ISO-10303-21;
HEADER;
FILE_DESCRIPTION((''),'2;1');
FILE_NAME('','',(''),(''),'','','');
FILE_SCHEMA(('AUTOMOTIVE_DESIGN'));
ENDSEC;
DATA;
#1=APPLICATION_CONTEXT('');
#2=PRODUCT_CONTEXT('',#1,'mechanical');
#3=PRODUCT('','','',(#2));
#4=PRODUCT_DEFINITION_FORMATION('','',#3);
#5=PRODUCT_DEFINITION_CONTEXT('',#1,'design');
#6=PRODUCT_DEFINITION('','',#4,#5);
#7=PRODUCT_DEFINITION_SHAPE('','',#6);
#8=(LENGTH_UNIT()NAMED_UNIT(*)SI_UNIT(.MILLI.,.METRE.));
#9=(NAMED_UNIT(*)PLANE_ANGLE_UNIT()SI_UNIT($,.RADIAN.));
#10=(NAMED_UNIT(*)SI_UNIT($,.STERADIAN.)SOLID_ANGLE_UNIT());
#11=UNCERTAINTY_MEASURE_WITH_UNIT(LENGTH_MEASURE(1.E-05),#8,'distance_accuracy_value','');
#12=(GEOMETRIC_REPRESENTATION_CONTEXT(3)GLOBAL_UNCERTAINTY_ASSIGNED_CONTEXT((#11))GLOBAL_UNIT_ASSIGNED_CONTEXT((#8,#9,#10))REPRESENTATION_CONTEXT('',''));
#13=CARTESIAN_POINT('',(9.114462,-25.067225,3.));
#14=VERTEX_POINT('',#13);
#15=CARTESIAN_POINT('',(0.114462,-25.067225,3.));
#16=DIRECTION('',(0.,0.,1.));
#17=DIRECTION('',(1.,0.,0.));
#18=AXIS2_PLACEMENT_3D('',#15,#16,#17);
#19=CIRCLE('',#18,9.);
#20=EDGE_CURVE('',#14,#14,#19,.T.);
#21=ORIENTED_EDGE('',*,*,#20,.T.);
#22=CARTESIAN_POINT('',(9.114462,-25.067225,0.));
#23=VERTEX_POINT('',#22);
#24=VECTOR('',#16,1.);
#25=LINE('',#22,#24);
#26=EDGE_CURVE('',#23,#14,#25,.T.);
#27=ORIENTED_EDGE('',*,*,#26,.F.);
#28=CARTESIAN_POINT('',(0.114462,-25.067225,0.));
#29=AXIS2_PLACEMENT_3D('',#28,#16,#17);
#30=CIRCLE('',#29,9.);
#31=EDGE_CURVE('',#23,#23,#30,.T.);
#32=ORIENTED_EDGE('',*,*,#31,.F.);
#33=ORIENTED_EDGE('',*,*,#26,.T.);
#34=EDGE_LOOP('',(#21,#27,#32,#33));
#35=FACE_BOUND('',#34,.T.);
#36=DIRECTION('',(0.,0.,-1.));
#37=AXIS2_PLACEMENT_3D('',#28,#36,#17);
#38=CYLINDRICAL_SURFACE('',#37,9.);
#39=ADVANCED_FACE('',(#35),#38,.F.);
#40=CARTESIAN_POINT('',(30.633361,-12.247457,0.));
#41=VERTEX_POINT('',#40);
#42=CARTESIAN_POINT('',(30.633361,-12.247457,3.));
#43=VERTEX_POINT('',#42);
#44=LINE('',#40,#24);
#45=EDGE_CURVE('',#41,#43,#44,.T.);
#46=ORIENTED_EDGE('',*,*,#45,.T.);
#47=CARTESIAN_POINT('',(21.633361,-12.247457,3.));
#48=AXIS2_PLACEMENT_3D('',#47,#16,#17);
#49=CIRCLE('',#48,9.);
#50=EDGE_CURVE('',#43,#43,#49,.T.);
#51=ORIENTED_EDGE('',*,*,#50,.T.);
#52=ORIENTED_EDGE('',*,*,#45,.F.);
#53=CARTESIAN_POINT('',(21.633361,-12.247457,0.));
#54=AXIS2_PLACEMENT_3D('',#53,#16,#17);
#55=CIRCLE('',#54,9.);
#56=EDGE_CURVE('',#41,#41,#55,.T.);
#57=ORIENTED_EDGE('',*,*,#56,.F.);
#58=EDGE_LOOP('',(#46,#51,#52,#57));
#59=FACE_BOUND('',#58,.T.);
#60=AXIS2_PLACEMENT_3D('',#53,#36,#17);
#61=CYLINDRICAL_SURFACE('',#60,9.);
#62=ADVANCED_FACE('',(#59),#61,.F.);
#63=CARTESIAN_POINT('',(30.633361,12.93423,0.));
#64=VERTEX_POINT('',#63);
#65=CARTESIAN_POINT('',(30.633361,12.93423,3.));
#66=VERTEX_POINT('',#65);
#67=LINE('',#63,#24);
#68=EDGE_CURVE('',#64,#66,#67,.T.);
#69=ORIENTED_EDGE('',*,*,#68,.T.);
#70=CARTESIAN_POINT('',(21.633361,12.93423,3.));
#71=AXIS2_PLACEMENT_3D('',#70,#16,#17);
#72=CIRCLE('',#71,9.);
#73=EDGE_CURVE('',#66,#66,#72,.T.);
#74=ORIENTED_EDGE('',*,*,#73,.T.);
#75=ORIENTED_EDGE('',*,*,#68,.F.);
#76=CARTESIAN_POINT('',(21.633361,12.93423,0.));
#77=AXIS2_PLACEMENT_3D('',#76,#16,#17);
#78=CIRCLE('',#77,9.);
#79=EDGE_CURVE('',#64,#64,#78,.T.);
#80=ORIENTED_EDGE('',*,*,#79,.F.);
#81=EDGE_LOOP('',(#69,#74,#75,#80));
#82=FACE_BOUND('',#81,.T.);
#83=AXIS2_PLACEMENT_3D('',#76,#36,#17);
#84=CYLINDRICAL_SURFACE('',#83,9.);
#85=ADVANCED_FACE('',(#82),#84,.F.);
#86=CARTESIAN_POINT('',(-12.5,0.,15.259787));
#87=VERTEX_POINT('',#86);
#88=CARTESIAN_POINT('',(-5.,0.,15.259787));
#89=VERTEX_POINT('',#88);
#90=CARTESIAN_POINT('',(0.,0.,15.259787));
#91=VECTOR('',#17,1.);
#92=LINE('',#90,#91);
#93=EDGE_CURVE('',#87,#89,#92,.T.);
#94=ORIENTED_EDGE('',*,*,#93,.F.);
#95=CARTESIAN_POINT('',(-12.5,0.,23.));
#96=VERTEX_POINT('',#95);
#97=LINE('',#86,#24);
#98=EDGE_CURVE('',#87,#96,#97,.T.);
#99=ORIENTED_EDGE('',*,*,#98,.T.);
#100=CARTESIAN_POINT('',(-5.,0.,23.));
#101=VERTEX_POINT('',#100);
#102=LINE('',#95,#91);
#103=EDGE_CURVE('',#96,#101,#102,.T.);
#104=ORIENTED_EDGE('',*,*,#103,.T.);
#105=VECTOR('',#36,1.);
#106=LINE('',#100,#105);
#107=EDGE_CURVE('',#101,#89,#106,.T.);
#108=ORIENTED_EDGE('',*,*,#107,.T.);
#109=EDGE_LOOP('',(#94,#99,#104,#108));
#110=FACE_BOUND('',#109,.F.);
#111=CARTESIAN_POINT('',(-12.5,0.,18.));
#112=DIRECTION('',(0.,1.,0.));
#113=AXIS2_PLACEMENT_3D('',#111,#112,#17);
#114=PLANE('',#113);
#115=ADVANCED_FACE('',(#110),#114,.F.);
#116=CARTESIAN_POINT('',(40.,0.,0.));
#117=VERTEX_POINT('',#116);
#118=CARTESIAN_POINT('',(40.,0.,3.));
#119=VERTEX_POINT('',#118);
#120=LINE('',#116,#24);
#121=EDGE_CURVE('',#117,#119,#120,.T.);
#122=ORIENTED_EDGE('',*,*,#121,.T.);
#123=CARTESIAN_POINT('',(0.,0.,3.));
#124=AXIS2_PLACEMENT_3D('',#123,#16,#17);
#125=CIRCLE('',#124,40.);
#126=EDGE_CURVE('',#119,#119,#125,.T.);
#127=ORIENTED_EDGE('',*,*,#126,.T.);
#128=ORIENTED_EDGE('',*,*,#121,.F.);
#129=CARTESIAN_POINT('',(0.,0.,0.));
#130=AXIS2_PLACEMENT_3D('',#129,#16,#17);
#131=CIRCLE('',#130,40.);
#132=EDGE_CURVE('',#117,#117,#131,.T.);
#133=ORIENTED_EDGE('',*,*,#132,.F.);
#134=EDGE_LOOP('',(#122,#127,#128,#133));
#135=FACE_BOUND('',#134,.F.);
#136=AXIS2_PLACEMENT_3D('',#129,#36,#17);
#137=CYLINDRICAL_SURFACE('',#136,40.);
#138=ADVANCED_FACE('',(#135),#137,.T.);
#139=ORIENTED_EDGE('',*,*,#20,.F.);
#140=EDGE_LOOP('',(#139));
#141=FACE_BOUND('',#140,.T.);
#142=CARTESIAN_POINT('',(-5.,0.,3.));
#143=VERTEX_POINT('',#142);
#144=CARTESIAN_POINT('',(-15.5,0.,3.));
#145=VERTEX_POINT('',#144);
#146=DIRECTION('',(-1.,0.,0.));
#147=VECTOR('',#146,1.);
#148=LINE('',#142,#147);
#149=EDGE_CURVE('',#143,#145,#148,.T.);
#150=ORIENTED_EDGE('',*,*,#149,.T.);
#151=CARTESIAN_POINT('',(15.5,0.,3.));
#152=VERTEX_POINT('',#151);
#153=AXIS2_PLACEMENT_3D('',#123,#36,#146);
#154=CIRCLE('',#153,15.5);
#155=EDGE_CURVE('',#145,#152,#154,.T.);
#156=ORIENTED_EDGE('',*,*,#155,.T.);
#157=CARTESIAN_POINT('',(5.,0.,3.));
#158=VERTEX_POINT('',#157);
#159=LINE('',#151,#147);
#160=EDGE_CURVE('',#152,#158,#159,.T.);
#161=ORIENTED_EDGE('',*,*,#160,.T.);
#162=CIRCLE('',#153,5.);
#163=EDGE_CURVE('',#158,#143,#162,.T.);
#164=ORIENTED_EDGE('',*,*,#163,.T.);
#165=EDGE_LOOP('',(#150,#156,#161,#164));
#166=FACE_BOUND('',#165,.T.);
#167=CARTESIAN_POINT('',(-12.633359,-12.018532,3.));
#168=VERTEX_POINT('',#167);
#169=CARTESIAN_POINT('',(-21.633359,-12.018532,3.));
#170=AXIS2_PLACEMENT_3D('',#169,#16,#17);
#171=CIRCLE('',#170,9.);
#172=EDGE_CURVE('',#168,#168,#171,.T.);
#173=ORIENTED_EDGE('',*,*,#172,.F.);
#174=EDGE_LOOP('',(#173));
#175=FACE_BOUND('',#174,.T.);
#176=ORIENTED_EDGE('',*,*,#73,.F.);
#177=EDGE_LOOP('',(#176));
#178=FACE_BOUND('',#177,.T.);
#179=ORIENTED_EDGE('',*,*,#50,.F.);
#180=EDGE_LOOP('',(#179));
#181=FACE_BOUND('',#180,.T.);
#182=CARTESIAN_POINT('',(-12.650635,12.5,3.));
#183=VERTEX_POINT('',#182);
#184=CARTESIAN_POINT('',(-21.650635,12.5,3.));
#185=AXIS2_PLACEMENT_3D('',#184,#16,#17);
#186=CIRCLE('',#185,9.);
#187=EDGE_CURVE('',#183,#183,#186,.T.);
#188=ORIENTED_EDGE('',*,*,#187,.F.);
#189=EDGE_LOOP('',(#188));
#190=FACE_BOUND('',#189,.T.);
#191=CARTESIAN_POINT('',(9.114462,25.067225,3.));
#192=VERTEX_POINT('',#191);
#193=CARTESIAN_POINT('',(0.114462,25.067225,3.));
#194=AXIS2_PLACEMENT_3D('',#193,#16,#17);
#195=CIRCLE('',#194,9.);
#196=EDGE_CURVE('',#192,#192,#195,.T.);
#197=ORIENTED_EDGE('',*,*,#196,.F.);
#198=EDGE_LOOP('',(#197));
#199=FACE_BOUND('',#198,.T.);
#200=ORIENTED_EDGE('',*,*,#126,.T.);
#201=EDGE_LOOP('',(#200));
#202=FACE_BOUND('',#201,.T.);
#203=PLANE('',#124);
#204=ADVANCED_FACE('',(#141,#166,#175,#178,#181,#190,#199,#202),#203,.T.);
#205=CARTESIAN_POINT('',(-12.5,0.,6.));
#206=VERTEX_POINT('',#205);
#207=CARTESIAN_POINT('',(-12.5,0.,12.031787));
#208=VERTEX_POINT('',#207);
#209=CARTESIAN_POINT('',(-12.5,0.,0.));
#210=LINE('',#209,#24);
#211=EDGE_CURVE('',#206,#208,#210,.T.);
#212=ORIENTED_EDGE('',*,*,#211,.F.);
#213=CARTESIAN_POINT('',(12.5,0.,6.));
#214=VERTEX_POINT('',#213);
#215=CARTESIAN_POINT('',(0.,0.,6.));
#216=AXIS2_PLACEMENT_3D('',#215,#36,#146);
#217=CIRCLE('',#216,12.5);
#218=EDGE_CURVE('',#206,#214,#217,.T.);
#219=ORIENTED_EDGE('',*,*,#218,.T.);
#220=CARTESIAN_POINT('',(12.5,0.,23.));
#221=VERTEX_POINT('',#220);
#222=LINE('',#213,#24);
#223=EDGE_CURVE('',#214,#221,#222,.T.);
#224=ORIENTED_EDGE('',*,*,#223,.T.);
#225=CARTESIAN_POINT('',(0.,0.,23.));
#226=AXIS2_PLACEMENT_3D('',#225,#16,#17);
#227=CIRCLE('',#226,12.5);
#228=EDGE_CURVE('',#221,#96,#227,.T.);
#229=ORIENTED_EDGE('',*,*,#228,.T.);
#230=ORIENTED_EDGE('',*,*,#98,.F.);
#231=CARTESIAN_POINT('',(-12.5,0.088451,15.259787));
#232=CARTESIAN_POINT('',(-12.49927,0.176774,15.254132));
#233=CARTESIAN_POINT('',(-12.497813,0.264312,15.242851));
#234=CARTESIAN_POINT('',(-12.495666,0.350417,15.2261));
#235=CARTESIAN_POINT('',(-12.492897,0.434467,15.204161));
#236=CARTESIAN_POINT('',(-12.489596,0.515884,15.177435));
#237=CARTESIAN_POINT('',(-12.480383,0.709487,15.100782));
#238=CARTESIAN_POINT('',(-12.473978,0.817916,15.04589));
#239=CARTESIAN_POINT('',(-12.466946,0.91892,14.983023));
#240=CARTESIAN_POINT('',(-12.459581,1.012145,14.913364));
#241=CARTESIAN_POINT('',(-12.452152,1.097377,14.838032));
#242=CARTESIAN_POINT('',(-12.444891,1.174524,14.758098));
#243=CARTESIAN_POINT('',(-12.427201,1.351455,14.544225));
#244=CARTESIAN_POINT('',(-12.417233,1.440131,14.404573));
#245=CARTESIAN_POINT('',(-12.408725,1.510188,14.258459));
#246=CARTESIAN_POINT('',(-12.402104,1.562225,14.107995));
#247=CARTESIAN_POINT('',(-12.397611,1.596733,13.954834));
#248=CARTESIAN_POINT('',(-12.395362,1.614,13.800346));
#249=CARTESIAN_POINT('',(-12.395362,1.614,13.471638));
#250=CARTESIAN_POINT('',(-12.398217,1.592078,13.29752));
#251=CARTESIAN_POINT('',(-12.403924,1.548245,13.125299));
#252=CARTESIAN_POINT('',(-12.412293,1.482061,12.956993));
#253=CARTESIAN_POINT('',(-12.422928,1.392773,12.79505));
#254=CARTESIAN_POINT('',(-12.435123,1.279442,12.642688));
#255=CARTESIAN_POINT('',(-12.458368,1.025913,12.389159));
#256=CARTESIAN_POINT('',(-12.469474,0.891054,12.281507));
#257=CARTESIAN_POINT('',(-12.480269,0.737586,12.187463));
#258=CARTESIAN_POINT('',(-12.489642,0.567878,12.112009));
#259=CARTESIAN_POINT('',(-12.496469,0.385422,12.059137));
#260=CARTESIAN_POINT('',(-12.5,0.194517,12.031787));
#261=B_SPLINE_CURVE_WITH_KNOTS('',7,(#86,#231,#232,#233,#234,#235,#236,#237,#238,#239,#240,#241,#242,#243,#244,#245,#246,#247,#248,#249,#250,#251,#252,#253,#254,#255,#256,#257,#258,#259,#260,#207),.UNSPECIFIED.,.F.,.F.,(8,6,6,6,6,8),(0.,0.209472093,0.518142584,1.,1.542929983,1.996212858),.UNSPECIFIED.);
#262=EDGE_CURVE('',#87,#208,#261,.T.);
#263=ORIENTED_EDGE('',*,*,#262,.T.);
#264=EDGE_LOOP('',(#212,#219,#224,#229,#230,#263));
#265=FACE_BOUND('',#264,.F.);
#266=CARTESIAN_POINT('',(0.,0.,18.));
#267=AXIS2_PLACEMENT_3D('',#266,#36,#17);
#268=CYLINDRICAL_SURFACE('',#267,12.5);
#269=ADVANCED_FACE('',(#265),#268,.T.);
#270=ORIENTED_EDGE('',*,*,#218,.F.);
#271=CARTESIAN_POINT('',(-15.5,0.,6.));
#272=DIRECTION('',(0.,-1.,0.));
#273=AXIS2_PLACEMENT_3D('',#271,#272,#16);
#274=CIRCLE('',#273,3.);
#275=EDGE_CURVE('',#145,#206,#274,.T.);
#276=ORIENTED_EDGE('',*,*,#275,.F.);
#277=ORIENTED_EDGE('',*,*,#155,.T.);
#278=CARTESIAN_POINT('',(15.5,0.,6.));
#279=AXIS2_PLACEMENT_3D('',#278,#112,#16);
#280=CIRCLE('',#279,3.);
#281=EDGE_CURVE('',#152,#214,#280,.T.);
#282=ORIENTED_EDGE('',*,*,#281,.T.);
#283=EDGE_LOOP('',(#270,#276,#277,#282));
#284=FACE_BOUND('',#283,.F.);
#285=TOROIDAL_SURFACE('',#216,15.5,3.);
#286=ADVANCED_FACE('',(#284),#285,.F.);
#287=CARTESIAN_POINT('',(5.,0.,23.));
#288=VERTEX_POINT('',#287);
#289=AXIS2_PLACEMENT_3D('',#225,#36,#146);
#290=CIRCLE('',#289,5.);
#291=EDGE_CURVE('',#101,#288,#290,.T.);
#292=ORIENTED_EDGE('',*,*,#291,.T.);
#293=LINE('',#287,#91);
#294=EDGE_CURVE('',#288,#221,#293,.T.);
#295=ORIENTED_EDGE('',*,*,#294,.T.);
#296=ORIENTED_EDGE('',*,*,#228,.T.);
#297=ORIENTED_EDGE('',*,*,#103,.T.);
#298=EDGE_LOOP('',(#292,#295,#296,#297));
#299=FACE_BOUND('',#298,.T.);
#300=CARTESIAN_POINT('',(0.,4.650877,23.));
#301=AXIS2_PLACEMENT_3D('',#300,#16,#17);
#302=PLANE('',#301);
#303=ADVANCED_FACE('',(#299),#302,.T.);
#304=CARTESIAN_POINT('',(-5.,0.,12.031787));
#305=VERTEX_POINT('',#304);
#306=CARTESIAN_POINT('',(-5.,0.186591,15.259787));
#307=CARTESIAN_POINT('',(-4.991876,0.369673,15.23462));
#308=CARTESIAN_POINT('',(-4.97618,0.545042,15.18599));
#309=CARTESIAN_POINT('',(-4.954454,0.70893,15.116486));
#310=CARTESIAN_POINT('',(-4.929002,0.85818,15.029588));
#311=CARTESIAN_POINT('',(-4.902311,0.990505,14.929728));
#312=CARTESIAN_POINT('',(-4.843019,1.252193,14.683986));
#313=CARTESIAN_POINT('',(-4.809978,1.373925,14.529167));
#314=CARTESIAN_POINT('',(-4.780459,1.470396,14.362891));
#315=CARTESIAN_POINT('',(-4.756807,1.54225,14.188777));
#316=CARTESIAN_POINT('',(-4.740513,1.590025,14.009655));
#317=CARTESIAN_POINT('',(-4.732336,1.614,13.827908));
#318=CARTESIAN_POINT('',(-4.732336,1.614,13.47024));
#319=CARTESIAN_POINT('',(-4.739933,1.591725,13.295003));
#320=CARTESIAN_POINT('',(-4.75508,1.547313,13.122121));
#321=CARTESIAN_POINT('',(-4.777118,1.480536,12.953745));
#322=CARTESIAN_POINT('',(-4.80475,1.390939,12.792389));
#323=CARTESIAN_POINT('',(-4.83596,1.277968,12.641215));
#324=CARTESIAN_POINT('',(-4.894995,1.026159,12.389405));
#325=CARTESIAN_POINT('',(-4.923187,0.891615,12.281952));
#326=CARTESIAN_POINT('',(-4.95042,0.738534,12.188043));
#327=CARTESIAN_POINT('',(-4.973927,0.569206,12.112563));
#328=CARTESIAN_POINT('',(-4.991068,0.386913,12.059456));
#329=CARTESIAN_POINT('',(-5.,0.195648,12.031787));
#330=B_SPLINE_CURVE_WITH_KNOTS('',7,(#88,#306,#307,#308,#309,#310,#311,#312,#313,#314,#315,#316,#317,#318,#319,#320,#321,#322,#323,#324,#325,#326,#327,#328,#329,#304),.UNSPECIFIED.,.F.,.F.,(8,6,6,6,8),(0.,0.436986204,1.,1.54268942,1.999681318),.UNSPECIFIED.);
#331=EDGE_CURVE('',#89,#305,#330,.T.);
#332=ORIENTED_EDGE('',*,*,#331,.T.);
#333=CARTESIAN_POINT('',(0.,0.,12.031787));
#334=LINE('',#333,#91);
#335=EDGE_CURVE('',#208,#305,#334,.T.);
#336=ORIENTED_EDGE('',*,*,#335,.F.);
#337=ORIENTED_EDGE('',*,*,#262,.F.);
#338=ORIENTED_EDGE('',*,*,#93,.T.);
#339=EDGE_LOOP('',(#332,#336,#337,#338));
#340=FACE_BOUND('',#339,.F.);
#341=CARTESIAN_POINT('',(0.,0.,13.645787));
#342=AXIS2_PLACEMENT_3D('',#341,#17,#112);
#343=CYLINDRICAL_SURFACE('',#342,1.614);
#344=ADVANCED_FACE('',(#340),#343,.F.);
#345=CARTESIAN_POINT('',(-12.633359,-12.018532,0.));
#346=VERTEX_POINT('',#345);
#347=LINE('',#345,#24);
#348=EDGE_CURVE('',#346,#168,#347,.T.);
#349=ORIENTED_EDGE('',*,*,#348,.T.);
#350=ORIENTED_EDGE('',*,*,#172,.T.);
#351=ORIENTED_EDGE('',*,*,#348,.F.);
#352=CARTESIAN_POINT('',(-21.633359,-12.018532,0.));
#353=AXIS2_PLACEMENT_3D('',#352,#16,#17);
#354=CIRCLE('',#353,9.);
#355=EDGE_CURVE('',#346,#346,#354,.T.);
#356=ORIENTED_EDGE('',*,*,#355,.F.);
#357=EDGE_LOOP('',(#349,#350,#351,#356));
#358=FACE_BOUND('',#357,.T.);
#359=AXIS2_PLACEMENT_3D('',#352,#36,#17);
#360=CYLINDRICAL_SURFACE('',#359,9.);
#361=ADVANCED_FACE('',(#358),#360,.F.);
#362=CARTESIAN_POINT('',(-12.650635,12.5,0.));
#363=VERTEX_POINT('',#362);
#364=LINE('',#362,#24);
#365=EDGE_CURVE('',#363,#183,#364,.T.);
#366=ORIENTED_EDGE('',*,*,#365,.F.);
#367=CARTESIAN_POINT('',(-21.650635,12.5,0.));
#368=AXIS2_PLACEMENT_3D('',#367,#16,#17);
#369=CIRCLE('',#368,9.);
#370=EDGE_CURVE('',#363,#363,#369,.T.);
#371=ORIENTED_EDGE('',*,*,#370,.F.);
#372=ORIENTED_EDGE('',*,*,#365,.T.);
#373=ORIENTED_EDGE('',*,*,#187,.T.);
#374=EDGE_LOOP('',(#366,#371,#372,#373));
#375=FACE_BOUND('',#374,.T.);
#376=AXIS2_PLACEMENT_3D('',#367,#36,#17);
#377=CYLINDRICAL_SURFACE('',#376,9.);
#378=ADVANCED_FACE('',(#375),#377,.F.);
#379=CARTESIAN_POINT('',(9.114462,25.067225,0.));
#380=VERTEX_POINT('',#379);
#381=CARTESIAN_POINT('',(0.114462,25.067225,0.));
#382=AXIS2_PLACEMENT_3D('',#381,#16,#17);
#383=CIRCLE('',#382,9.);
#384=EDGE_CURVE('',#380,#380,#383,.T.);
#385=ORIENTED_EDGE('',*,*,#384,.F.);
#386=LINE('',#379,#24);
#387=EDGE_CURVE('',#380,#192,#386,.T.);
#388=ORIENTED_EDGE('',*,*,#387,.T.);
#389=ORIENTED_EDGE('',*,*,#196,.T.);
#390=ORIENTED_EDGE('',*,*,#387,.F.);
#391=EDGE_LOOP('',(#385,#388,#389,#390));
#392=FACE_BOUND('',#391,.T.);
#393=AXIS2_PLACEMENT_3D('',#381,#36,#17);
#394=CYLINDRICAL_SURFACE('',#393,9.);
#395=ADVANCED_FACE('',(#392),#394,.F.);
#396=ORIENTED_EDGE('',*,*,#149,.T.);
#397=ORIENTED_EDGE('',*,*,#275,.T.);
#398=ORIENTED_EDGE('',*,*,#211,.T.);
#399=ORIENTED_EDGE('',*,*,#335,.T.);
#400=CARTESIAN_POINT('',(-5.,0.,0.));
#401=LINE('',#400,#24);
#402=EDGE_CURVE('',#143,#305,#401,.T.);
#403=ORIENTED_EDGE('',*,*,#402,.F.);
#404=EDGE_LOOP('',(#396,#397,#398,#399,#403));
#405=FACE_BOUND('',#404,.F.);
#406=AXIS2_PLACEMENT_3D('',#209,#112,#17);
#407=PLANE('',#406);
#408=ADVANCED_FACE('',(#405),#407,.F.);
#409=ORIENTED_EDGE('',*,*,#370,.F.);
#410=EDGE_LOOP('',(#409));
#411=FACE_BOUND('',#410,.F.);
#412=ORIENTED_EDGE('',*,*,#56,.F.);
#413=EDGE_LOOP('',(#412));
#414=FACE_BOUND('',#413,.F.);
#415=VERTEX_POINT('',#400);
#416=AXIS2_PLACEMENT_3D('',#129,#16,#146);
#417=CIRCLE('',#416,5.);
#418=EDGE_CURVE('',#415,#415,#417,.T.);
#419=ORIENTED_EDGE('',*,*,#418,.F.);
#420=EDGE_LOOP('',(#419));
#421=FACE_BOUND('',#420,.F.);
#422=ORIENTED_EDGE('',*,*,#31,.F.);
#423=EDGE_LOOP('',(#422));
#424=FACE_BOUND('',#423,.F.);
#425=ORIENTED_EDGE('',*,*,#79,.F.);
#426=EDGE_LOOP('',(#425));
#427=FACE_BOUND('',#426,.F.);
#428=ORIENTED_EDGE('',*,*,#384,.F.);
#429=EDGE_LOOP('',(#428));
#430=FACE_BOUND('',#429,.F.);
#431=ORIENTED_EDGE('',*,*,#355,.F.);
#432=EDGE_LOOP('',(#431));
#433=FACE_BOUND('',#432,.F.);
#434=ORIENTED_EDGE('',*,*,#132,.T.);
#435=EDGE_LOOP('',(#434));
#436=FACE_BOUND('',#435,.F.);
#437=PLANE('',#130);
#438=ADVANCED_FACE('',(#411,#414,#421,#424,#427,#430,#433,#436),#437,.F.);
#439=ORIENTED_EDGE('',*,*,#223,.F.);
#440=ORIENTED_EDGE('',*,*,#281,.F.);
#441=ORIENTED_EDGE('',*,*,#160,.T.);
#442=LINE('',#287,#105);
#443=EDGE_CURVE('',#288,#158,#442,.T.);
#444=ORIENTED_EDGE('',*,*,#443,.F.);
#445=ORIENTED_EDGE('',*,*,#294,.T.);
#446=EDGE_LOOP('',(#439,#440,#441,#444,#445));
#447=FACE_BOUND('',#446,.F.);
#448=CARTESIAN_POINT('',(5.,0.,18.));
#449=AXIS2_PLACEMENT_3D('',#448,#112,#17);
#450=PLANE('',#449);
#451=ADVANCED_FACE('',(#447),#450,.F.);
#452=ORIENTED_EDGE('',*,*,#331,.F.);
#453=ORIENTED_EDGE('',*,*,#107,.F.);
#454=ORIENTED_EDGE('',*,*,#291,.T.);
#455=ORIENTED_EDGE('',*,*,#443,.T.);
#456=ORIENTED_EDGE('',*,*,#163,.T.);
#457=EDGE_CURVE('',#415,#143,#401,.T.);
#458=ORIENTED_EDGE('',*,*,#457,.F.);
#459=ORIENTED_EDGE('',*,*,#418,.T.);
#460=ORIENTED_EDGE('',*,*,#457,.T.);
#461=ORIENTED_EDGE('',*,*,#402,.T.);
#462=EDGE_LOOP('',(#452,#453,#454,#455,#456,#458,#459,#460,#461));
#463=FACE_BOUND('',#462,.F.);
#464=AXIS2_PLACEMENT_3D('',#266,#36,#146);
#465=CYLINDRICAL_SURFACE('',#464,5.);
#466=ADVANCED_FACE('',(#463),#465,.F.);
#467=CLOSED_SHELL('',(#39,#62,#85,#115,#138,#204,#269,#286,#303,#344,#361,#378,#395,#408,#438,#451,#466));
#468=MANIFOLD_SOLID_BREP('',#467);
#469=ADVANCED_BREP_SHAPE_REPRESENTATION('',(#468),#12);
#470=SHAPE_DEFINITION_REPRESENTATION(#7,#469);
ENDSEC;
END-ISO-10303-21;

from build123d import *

# Parameters (mm, degrees)
F0_R     = 40
F0_R_2   = 9
F1_DEPTH = 3
F2_DEPTH = 18
F3_DEPTH = 25
F4_R     = 3
F5_R     = 1.614
F6_DEPTH = 40
F7_DEPTH = 5


with BuildPart() as f1:
    # F0 (on Top) → F1 (new body)
    with BuildSketch(Plane.XY):
        Circle(F0_R)
        with Locations((-21.6333586723, -12.0185324922)):
            Circle(F0_R_2, mode=Mode.SUBTRACT)
        with Locations((0.1144621056, -25.0672250986)):
            Circle(F0_R_2, mode=Mode.SUBTRACT)
        with Locations((21.6333605349, -12.247457169)):
            Circle(F0_R_2, mode=Mode.SUBTRACT)
        with Locations((-21.6506350946, 12.5)):
            Circle(F0_R_2, mode=Mode.SUBTRACT)
        with BuildLine():
            ThreePointArc((-12.5, 0), (0, 12.5), (12.5, 0))
            Line((12.5, 0), (5, 0))
            ThreePointArc((5, 0), (0, -5), (-5, 0))
            Line((-5, 0), (-12.5, 0))
        make_face(mode=Mode.SUBTRACT)
        with Locations((21.6333605349, 12.934230268)):
            Circle(F0_R_2, mode=Mode.SUBTRACT)
        with Locations((0.1144621056, 25.0672250986)):
            Circle(F0_R_2, mode=Mode.SUBTRACT)
        with BuildLine():
            Line((5, 0), (12.5, 0))
            ThreePointArc((12.5, 0), (0, 12.5), (-12.5, 0))
            Line((-12.5, 0), (-5, 0))
            ThreePointArc((-5, 0), (0, 5), (5, 0))
        make_face()
    extrude(amount=F1_DEPTH)

    # F0 (on Top) → F2 (join)
    with BuildSketch(Plane.XY):
        with BuildLine():
            Line((5, 0), (12.5, 0))
            ThreePointArc((12.5, 0), (0, 12.5), (-12.5, 0))
            Line((-12.5, 0), (-5, 0))
            ThreePointArc((-5, 0), (0, 5), (5, 0))
        make_face()
    extrude(amount=F2_DEPTH)

    # F0 (on Top) → F3 (cut)
    with BuildSketch(Plane.XY):
        Circle(F0_R)
        with Locations((-21.6333586723, -12.0185324922)):
            Circle(F0_R_2, mode=Mode.SUBTRACT)
        with Locations((0.1144621056, -25.0672250986)):
            Circle(F0_R_2, mode=Mode.SUBTRACT)
        with Locations((21.6333605349, -12.247457169)):
            Circle(F0_R_2, mode=Mode.SUBTRACT)
        with Locations((-21.6506350946, 12.5)):
            Circle(F0_R_2, mode=Mode.SUBTRACT)
        with BuildLine():
            ThreePointArc((-12.5, 0), (0, 12.5), (12.5, 0))
            Line((12.5, 0), (5, 0))
            ThreePointArc((5, 0), (0, -5), (-5, 0))
            Line((-5, 0), (-12.5, 0))
        make_face(mode=Mode.SUBTRACT)
        with Locations((21.6333605349, 12.934230268)):
            Circle(F0_R_2, mode=Mode.SUBTRACT)
        with Locations((0.1144621056, 25.0672250986)):
            Circle(F0_R_2, mode=Mode.SUBTRACT)
    extrude(amount=-F3_DEPTH, mode=Mode.SUBTRACT)

    # F4
    f4_edges = [f1.edges().sort_by_distance(p)[0] for p in [
        (0, 12.5, 3),
    ]]
    fillet(f4_edges, radius=F4_R)

    # F5 (on Right) → F6 (cut)
    with BuildSketch(Plane.YZ):
        with Locations((0, 13.645786792)):
            Circle(F5_R)
    extrude(amount=-F6_DEPTH, mode=Mode.SUBTRACT)

    # F7 (add): a face of the model
    f7_faces = [f1.faces().sort_by_distance(p)[0] for p in [
        (0, 5.9114693148, 18),
    ]]
    extrude(f7_faces, amount=F7_DEPTH)


solid = f1.part
